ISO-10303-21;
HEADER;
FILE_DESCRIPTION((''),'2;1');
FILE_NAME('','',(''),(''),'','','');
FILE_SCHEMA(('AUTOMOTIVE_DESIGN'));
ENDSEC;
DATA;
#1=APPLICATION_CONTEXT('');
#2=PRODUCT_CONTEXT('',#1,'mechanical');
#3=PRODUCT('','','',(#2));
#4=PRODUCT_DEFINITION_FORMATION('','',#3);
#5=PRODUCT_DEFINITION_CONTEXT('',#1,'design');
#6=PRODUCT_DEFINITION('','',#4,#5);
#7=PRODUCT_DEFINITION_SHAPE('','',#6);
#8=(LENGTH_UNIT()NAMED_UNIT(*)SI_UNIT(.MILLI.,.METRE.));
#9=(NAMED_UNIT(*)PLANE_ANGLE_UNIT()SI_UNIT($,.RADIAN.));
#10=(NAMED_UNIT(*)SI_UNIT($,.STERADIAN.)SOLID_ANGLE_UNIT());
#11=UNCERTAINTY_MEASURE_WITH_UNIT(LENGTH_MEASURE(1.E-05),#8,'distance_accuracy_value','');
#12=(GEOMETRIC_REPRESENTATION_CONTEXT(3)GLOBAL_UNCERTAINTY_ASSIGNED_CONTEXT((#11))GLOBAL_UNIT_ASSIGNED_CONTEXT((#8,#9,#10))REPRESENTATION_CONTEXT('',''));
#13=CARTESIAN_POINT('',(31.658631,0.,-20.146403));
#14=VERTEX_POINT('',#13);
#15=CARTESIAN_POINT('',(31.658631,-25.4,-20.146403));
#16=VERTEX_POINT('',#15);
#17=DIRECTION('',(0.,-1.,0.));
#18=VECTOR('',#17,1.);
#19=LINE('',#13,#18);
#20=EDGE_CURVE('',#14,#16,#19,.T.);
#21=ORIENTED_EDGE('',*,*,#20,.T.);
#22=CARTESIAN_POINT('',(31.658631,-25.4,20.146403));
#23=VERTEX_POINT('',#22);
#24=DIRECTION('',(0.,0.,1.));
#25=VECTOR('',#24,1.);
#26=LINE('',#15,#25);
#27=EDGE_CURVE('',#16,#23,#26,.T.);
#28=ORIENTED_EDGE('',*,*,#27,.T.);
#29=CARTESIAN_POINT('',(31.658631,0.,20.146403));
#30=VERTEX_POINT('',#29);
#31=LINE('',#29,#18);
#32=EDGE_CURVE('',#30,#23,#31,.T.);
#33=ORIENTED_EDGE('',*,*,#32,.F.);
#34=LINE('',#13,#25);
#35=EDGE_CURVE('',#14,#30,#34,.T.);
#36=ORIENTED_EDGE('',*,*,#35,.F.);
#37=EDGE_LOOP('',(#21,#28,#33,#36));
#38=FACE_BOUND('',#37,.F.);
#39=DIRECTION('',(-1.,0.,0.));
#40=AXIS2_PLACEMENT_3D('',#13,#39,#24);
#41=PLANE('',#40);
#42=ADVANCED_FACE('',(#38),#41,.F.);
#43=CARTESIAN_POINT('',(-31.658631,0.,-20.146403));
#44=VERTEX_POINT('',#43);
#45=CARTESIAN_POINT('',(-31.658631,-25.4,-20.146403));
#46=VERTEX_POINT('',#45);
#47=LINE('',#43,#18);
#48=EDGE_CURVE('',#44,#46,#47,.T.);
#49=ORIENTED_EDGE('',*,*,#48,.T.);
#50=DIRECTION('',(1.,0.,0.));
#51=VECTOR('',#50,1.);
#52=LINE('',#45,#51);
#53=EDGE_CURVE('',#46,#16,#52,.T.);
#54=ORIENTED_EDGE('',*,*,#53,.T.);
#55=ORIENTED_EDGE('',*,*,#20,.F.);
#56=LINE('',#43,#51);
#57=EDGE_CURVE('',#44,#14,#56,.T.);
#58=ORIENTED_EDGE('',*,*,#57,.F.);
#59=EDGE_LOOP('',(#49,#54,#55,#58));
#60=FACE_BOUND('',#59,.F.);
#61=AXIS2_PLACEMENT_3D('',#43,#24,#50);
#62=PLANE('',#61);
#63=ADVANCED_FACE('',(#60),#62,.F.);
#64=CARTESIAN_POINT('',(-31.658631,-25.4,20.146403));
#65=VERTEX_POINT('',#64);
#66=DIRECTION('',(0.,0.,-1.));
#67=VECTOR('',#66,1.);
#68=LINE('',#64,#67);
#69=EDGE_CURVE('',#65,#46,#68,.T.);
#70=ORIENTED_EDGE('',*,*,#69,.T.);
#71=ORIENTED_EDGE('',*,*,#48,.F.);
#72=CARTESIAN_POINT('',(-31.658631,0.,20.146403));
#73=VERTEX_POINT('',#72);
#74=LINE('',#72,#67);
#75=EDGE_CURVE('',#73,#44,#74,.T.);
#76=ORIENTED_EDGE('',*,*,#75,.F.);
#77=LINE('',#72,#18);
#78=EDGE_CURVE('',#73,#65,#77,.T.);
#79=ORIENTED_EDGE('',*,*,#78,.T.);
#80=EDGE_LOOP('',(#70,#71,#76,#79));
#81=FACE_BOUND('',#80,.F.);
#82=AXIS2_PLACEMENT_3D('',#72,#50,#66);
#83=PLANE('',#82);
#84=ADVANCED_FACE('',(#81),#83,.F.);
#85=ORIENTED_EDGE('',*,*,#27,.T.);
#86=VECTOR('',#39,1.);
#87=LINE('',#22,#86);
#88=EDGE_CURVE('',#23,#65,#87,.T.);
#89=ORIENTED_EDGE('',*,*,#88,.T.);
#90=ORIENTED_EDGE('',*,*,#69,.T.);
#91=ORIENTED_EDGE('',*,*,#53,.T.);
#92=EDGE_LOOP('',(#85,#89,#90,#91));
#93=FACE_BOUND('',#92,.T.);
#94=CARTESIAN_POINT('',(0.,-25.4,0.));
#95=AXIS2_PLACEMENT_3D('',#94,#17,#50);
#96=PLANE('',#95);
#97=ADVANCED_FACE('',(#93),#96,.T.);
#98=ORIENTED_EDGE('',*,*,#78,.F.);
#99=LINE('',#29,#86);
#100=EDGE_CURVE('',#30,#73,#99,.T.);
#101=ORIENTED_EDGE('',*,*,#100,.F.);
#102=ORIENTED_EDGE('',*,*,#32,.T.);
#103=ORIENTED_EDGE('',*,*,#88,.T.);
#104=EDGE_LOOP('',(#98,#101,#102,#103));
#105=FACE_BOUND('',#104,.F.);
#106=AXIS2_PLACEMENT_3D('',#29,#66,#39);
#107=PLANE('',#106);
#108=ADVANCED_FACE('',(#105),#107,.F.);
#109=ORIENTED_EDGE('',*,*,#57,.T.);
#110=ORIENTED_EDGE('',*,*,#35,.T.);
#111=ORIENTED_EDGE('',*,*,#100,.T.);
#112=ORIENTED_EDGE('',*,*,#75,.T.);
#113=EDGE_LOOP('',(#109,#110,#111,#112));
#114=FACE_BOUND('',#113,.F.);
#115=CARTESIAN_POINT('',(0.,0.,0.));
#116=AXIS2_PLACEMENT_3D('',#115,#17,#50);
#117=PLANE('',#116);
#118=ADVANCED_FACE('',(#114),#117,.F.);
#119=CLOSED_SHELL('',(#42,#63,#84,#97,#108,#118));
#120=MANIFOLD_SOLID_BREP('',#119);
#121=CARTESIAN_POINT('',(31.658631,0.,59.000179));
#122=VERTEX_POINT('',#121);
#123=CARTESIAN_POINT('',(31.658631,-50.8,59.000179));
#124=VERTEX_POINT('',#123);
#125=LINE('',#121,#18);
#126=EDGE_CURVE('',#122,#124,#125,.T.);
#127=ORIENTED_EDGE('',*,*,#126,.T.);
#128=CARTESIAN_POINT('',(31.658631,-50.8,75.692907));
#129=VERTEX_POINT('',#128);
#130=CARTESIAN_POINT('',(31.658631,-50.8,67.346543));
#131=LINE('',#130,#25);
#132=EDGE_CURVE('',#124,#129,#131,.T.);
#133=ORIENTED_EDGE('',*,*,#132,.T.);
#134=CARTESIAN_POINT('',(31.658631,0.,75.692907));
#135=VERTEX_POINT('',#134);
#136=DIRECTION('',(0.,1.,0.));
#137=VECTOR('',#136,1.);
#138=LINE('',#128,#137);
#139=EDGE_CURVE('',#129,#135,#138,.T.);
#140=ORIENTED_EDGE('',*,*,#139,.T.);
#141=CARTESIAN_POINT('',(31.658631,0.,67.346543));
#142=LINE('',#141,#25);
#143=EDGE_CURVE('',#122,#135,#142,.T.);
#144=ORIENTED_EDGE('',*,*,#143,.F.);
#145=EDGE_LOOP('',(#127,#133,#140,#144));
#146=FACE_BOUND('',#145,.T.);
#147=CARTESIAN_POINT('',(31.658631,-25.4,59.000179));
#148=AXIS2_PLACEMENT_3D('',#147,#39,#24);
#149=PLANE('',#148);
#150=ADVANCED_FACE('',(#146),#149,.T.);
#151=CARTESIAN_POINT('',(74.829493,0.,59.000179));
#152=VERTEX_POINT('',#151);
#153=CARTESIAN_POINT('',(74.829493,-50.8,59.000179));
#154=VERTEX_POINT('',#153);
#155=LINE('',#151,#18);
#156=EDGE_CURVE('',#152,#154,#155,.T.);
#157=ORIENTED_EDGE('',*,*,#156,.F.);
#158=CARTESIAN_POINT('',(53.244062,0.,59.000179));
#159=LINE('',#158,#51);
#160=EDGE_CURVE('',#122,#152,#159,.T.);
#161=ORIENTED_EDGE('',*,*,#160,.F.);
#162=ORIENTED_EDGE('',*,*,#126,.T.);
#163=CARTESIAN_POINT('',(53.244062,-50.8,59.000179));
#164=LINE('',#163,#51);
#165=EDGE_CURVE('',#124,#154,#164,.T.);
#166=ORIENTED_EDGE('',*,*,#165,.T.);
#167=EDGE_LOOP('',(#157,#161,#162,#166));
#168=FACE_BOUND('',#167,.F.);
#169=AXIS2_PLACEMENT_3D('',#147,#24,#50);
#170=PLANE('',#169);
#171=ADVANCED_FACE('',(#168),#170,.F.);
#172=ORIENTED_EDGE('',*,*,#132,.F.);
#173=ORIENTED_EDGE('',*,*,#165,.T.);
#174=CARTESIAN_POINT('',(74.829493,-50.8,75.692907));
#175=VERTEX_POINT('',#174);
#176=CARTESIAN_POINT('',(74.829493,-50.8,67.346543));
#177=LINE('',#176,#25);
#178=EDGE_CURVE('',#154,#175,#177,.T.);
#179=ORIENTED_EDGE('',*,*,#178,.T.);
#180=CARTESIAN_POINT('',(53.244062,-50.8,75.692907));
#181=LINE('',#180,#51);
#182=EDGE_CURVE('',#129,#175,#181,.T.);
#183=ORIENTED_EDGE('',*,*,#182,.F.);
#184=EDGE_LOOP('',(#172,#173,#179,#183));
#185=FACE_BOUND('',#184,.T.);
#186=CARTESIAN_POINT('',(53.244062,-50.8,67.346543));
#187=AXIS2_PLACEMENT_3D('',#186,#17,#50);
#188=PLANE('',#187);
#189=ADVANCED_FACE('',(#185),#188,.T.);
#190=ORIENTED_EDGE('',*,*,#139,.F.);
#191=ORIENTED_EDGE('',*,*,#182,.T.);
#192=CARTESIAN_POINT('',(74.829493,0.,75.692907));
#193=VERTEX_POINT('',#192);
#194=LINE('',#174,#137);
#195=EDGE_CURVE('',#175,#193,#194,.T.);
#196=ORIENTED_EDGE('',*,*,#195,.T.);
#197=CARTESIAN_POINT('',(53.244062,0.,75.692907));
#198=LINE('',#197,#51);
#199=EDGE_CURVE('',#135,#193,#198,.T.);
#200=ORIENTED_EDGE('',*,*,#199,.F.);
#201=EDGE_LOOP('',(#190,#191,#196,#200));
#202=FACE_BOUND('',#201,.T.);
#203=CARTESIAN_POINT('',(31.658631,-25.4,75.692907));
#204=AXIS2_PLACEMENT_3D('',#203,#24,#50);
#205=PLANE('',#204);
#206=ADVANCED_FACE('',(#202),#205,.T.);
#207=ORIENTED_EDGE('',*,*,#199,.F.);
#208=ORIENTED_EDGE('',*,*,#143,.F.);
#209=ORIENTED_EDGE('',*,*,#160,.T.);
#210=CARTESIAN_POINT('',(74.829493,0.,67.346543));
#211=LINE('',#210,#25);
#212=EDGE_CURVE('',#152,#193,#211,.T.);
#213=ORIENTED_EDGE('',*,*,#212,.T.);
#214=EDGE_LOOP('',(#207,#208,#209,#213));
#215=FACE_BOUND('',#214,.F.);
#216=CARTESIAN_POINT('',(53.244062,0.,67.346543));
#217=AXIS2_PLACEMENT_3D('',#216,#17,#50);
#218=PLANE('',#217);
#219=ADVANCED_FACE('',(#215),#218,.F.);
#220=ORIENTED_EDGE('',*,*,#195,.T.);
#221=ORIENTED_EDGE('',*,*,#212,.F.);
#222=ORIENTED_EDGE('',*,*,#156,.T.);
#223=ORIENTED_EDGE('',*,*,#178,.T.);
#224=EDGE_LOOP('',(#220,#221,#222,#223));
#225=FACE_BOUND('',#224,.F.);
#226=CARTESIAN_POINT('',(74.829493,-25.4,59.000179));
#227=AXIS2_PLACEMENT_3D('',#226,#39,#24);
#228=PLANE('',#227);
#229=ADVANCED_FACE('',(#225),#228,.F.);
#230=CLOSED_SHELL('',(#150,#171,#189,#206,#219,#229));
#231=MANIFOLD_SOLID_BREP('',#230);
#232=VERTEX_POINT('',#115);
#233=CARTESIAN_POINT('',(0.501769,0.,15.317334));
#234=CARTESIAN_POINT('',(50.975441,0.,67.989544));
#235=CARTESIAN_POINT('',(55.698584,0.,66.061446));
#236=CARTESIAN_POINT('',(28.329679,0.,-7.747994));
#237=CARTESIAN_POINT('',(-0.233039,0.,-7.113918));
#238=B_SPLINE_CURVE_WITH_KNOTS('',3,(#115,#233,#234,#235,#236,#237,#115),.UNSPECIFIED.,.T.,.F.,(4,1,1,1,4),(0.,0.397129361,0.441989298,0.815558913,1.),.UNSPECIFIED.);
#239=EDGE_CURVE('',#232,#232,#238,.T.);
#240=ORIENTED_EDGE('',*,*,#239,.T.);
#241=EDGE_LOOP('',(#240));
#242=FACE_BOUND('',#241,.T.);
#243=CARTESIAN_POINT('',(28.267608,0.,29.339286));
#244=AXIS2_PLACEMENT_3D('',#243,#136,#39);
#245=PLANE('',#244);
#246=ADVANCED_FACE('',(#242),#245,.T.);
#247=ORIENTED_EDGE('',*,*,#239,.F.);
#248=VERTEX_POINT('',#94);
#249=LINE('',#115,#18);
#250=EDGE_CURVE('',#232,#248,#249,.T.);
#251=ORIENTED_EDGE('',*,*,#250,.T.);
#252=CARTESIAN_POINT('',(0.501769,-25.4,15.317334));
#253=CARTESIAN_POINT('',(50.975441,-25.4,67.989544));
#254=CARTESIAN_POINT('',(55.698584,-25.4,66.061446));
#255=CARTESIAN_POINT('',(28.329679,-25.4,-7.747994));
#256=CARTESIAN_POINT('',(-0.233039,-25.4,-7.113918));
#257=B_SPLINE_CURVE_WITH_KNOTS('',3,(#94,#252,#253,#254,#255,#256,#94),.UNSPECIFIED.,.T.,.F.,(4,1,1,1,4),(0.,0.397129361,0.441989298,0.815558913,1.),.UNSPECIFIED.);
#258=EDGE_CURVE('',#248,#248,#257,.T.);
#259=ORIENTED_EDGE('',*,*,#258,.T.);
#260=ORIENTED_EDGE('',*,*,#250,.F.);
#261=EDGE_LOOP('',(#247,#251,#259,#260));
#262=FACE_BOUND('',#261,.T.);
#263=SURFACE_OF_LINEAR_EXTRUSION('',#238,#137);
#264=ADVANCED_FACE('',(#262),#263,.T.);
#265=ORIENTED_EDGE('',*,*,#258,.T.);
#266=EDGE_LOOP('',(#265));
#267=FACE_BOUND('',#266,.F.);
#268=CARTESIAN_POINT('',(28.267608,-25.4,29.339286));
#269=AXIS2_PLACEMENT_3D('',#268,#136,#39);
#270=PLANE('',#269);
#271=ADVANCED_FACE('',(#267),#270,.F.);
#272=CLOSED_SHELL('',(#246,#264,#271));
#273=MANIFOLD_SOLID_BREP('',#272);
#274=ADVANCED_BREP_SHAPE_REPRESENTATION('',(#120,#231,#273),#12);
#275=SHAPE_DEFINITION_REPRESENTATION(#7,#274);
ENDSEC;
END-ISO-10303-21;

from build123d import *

# Parameters (mm, degrees)
F1_DEPTH = 25.4
F0_W     = 43.1708618999
F0_H     = 16.6927278042
F2_DEPTH = 25.4
F4_DEPTH = 25.4


with BuildPart() as f1:
    # F0 (on Front) → F1 (new body)
    with BuildSketch(Plane.XZ):
        Polygon((-31.6586308181, -20.1464034617), (31.6586308181, -20.1464034617), (31.6586308181, 20.1464034617), (0, 20.1464034617), (-31.6586308181, 20.1464034617), align=None)
    extrude(amount=F1_DEPTH)


with BuildPart() as f1b:
    # F0 (on Front) → F1, piece 2 (new body)
    with BuildSketch(Plane.XZ):
        with Locations((53.2440617681, 67.3465430737)):
            Rectangle(F0_W, F0_H)
    extrude(amount=F1_DEPTH)

    # F2 (add): a face of the model
    f2_faces = [f1b.faces().sort_by_distance(p)[0] for p in [
        (53.2440617681, -25.4, 67.3465430737),
    ]]
    extrude(f2_faces, amount=F2_DEPTH)


with BuildPart() as f4:
    # F3 (on Front) → F4 (new body)
    with BuildSketch(Plane.XZ):
        with BuildLine():
            add(Edge.make_bspline(
                [(0, 0), (0.501768837, 15.3173342245), (50.9754407785, 67.9895437341), (55.6985837426, 66.0614461716), (28.3296785515, -7.7479942002), (-0.2330394037, -7.1139181448), (0, 0)],
                knots=[0, 0, 0, 0, 0.3971293615, 0.4419892978, 0.8155589132, 1, 1, 1, 1], degree=3))
        make_face()
    extrude(amount=F4_DEPTH)


solid = Compound([f1.part, f1b.part, f4.part])
